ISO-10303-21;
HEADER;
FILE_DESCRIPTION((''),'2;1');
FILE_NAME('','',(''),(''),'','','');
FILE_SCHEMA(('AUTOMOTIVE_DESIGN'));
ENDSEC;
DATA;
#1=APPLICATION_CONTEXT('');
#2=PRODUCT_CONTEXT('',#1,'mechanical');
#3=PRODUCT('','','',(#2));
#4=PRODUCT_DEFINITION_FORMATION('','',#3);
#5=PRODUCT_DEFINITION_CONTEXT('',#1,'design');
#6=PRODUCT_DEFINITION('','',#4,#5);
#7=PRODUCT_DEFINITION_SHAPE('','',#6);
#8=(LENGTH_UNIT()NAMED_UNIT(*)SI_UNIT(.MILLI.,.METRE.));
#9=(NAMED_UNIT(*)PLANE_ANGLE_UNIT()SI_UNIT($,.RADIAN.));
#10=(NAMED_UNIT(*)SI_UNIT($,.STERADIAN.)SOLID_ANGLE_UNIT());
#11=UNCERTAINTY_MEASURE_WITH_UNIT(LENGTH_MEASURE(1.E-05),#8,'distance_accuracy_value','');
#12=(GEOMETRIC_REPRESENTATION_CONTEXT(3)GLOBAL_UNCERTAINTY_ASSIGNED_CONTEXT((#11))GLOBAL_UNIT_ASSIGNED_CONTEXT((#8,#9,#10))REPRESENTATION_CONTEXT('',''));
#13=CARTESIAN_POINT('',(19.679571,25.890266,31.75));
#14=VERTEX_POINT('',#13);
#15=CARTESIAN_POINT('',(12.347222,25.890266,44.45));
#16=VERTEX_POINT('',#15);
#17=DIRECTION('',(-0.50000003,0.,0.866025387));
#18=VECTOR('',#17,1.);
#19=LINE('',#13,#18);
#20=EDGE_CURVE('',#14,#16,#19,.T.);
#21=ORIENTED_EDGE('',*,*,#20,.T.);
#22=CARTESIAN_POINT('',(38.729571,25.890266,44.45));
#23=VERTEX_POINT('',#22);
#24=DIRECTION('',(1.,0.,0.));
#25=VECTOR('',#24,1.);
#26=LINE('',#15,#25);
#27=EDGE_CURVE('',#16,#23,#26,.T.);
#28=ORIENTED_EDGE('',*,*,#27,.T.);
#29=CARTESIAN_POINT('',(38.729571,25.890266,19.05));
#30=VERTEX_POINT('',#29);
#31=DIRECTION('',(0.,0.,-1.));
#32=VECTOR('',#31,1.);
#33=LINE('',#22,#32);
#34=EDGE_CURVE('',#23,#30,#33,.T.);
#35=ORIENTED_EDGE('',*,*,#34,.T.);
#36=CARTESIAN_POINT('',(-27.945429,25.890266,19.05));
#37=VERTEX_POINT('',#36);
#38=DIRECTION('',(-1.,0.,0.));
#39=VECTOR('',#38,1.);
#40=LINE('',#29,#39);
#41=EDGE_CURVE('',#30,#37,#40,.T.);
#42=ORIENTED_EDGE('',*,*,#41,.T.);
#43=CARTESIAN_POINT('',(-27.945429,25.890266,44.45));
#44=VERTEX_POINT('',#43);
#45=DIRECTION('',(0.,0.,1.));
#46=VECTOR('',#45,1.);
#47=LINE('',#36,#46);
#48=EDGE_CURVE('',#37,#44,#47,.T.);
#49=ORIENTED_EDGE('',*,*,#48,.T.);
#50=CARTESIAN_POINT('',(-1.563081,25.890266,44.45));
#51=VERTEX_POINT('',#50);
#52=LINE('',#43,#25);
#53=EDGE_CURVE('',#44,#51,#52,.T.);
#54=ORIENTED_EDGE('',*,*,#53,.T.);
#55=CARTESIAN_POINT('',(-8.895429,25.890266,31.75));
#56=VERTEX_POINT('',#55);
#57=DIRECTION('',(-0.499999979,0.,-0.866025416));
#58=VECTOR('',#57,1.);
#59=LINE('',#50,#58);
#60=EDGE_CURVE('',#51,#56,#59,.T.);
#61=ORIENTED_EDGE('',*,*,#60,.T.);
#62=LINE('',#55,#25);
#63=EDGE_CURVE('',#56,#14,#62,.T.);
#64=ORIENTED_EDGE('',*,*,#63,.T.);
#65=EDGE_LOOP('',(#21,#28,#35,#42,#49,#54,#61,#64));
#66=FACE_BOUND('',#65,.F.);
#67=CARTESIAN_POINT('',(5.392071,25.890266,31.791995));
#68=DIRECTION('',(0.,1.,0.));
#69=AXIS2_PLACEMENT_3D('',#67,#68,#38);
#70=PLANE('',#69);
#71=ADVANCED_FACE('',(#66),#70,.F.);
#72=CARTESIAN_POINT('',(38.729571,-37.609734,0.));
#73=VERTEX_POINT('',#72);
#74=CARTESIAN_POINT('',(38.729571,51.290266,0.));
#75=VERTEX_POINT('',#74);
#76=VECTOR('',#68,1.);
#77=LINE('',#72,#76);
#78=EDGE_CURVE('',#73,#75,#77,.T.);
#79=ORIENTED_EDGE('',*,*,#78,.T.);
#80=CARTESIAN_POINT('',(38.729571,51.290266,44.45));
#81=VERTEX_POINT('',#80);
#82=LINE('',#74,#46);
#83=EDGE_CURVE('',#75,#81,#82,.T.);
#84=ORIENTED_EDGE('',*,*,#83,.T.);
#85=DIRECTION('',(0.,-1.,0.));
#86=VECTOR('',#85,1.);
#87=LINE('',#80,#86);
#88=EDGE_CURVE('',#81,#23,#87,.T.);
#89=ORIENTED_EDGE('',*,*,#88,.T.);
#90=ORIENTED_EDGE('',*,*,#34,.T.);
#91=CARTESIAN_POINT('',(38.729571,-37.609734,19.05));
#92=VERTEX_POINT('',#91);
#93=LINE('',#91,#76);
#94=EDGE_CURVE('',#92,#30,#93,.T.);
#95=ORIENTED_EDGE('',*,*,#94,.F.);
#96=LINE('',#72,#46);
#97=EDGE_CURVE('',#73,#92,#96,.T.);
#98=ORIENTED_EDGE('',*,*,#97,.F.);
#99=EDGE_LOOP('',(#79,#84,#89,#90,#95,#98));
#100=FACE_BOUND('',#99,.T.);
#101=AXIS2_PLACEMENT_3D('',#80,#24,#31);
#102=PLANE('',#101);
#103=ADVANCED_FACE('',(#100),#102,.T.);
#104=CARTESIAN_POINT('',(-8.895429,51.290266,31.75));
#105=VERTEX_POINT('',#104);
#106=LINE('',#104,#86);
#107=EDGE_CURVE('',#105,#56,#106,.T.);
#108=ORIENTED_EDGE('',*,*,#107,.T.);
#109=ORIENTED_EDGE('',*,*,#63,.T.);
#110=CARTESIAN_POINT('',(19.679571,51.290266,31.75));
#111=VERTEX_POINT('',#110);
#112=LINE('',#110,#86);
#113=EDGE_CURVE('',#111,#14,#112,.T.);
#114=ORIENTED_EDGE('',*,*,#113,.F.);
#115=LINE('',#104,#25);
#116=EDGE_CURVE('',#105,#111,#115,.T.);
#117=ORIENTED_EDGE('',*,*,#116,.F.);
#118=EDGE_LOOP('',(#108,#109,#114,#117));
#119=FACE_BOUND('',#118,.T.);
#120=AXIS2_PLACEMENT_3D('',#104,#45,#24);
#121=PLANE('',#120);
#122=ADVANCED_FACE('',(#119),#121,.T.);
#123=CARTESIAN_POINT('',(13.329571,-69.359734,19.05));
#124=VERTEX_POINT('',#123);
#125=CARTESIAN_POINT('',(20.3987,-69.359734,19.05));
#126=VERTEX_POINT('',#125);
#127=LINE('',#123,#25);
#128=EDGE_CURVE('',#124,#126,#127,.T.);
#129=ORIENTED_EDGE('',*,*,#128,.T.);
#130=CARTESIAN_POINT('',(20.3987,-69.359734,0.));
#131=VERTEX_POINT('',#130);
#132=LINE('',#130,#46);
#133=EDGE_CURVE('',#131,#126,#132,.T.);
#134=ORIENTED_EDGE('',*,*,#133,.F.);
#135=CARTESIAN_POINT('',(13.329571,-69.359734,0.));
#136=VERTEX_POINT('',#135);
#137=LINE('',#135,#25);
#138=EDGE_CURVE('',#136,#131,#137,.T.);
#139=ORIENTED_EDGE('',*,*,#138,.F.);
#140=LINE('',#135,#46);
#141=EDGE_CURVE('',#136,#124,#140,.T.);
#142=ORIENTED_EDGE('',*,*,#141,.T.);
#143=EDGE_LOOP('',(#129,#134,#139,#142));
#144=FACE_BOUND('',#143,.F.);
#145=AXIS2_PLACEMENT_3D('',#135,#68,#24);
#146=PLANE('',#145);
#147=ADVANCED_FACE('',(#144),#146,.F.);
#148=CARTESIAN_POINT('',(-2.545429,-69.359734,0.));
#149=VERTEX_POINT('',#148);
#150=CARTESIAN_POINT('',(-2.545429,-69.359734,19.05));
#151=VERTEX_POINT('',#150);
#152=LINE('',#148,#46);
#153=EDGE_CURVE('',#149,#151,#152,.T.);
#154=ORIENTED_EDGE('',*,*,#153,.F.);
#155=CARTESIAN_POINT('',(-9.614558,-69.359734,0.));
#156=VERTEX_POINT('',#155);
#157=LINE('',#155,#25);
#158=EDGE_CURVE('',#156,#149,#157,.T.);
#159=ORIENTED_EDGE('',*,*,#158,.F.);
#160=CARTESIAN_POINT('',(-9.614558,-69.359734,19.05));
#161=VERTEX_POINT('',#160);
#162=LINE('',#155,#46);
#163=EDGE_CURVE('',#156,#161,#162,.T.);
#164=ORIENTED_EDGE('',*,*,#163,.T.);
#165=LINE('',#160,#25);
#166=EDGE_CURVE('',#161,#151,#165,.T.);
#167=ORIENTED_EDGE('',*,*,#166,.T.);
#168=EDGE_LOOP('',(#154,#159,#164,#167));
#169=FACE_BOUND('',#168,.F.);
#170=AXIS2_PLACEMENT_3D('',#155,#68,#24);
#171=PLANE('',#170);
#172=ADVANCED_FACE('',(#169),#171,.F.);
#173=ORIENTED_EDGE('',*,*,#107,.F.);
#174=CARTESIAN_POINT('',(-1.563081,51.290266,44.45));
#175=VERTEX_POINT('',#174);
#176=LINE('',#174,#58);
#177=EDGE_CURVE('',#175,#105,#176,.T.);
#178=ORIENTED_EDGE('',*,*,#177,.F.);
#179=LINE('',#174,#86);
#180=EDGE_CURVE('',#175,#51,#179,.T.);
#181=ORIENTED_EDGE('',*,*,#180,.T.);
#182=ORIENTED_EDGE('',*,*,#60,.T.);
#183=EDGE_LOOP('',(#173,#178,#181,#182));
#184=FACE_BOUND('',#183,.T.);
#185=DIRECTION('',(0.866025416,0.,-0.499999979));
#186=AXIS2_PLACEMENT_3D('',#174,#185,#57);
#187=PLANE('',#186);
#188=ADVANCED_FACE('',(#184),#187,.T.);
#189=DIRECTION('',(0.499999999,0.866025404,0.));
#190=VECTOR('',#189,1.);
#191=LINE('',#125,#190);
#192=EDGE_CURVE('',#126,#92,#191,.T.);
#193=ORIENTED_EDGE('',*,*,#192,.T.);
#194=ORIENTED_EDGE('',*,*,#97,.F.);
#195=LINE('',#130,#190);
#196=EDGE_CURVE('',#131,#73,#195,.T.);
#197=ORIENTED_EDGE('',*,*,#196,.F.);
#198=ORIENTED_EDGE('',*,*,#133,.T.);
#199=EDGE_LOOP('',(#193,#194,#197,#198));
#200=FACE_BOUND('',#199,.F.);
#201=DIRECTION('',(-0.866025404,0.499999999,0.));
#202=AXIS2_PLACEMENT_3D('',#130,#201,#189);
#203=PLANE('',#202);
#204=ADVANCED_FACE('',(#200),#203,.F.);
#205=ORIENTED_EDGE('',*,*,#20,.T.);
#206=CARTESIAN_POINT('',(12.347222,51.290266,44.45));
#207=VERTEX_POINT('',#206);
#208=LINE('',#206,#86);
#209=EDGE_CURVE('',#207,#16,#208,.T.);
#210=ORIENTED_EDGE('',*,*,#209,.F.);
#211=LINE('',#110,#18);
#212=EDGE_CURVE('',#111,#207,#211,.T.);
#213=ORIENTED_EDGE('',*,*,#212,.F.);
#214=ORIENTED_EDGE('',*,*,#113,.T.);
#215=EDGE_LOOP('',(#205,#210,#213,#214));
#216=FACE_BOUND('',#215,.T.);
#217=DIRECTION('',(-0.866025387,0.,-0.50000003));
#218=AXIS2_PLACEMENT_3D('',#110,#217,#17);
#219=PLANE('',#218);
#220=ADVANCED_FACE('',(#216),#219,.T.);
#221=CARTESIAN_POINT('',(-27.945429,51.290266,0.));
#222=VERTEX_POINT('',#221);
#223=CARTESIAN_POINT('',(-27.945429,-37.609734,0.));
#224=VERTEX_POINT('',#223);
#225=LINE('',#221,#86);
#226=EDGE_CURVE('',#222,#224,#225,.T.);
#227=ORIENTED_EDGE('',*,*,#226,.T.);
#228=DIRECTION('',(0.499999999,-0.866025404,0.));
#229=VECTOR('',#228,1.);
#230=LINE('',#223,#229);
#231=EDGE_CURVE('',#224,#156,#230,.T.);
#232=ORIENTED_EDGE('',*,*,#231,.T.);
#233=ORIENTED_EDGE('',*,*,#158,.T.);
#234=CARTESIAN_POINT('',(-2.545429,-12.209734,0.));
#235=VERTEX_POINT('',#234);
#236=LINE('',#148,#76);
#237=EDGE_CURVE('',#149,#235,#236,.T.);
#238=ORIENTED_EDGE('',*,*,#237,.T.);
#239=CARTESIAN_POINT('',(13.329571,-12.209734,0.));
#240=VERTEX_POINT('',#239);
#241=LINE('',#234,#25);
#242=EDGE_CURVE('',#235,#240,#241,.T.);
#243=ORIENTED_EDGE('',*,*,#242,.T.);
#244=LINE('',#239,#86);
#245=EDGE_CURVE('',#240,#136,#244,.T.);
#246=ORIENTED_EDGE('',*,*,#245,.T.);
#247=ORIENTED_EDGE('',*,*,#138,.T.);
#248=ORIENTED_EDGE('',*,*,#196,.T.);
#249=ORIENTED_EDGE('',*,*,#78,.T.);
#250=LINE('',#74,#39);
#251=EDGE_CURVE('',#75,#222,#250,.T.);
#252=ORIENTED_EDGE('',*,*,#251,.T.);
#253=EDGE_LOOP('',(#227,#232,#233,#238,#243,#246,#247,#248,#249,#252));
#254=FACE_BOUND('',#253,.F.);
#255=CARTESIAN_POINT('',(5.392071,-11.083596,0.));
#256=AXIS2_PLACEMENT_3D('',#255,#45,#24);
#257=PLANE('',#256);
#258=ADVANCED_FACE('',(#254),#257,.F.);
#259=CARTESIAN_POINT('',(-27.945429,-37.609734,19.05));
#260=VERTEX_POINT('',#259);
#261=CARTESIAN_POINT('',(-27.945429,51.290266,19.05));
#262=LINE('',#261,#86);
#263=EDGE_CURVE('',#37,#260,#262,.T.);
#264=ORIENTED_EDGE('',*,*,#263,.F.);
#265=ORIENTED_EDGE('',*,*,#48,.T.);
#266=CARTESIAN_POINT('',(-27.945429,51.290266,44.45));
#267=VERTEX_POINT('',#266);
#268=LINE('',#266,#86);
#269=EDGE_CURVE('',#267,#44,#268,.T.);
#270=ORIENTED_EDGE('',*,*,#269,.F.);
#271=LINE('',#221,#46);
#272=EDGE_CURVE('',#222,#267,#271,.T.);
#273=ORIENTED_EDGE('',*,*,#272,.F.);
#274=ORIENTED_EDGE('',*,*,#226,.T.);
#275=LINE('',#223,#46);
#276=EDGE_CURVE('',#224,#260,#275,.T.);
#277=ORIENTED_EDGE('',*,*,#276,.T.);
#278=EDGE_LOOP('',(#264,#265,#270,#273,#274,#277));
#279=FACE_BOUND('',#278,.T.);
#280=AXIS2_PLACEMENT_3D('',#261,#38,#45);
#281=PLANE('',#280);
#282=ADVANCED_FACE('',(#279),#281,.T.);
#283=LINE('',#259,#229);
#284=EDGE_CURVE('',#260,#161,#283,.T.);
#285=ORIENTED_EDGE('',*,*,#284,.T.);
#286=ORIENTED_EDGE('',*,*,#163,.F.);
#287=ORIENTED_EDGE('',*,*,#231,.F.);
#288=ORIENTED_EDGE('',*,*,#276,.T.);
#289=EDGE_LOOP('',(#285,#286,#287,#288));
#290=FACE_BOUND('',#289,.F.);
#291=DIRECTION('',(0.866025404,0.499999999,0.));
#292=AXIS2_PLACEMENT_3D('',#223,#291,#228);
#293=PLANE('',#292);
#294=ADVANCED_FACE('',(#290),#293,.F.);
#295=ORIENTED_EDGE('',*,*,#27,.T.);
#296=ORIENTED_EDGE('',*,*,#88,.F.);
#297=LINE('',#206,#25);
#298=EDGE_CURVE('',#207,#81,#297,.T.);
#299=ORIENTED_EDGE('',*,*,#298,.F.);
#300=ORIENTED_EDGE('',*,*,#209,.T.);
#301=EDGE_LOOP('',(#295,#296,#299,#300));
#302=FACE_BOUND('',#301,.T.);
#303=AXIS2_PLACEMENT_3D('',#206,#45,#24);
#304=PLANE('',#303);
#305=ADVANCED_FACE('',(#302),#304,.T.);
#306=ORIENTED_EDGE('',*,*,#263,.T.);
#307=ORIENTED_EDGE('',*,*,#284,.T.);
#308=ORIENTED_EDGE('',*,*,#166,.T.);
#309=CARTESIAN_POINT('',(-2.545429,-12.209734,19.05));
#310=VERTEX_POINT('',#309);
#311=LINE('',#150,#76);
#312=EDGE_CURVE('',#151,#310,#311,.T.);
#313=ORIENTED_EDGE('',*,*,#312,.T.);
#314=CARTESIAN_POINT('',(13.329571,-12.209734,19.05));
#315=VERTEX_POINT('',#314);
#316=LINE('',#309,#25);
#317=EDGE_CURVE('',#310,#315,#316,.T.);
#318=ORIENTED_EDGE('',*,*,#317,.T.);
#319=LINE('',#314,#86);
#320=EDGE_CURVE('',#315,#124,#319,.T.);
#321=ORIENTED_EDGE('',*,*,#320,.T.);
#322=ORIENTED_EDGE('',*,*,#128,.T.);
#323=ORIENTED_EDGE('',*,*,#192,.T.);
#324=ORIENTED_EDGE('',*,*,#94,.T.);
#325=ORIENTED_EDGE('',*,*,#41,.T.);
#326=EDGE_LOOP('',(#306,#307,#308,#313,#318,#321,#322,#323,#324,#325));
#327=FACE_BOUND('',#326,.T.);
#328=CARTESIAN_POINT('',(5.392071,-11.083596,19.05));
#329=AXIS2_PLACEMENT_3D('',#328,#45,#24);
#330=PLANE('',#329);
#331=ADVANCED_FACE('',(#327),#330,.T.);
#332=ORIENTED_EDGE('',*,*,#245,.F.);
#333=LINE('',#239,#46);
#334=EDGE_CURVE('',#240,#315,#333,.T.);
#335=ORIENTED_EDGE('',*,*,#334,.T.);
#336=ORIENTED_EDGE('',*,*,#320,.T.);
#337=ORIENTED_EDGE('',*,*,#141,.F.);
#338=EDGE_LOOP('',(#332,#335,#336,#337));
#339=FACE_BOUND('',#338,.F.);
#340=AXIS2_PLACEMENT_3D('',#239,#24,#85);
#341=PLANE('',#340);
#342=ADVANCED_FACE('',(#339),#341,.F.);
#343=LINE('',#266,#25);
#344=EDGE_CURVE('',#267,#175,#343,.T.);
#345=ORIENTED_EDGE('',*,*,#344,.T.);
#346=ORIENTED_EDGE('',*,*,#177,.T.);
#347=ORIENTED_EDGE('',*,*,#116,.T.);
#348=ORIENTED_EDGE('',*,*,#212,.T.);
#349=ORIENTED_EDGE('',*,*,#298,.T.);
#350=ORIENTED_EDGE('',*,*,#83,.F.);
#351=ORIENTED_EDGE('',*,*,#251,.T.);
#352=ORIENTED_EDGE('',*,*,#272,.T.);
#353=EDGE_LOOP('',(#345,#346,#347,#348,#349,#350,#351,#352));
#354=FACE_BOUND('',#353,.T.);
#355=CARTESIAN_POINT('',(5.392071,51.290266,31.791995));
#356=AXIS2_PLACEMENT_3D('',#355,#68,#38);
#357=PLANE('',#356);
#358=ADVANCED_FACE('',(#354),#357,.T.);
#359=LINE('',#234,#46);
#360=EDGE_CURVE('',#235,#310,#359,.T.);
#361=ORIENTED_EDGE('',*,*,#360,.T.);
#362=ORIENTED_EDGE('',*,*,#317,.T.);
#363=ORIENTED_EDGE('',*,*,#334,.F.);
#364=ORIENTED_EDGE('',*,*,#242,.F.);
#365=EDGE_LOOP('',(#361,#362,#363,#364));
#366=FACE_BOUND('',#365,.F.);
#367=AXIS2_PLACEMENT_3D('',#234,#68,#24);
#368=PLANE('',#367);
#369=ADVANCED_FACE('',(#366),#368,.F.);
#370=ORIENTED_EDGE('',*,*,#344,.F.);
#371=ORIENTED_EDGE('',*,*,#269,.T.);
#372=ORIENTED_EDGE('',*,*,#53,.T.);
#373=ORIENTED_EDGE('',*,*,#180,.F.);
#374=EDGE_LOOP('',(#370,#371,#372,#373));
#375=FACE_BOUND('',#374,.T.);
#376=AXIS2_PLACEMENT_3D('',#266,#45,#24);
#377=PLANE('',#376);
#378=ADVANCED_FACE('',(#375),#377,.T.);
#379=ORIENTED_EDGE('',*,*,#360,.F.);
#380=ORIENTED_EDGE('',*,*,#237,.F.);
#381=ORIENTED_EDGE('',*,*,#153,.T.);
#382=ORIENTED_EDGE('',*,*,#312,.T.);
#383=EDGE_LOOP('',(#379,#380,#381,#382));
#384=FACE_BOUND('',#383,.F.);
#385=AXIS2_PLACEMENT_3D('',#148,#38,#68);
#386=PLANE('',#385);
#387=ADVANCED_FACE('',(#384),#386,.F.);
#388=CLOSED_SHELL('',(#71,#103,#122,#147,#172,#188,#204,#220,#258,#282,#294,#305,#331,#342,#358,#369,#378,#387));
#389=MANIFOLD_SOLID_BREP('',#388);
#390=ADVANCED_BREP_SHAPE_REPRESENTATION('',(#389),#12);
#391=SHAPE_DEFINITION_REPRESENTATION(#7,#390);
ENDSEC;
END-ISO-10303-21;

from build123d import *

# Parameters (mm, degrees)
F1_DEPTH = 19.05
F3_DEPTH = 25.4


with BuildPart() as f1:
    # F0 (on Top) → F1 (new body)
    with BuildSketch(Plane.XY):
        Polygon((38.729571, 51.290266), (-27.945429, 51.290266), (-27.945429, -37.609734), (-9.614558, -69.359734), (-2.545429, -69.359734), (-2.545429, -12.209734), (13.329571, -12.209734), (13.329571, -69.359734), (20.3987, -69.359734), (38.729571, -37.609734), align=None)
    extrude(amount=F1_DEPTH)

    # F2 (on face) → F3 (join)
    with BuildSketch(Plane(origin=(0, 51.290266, 0), x_dir=(-1, 0, 0), z_dir=(0, 1, 0))):
        Polygon((-38.729571, 44.45), (-38.729571, 19.05), (27.945429, 19.05), (27.945429, 44.45), (1.563081, 44.45), (8.895429, 31.75), (-19.679571, 31.75), (-12.347222, 44.45), align=None)
    extrude(amount=-F3_DEPTH)


solid = f1.part
